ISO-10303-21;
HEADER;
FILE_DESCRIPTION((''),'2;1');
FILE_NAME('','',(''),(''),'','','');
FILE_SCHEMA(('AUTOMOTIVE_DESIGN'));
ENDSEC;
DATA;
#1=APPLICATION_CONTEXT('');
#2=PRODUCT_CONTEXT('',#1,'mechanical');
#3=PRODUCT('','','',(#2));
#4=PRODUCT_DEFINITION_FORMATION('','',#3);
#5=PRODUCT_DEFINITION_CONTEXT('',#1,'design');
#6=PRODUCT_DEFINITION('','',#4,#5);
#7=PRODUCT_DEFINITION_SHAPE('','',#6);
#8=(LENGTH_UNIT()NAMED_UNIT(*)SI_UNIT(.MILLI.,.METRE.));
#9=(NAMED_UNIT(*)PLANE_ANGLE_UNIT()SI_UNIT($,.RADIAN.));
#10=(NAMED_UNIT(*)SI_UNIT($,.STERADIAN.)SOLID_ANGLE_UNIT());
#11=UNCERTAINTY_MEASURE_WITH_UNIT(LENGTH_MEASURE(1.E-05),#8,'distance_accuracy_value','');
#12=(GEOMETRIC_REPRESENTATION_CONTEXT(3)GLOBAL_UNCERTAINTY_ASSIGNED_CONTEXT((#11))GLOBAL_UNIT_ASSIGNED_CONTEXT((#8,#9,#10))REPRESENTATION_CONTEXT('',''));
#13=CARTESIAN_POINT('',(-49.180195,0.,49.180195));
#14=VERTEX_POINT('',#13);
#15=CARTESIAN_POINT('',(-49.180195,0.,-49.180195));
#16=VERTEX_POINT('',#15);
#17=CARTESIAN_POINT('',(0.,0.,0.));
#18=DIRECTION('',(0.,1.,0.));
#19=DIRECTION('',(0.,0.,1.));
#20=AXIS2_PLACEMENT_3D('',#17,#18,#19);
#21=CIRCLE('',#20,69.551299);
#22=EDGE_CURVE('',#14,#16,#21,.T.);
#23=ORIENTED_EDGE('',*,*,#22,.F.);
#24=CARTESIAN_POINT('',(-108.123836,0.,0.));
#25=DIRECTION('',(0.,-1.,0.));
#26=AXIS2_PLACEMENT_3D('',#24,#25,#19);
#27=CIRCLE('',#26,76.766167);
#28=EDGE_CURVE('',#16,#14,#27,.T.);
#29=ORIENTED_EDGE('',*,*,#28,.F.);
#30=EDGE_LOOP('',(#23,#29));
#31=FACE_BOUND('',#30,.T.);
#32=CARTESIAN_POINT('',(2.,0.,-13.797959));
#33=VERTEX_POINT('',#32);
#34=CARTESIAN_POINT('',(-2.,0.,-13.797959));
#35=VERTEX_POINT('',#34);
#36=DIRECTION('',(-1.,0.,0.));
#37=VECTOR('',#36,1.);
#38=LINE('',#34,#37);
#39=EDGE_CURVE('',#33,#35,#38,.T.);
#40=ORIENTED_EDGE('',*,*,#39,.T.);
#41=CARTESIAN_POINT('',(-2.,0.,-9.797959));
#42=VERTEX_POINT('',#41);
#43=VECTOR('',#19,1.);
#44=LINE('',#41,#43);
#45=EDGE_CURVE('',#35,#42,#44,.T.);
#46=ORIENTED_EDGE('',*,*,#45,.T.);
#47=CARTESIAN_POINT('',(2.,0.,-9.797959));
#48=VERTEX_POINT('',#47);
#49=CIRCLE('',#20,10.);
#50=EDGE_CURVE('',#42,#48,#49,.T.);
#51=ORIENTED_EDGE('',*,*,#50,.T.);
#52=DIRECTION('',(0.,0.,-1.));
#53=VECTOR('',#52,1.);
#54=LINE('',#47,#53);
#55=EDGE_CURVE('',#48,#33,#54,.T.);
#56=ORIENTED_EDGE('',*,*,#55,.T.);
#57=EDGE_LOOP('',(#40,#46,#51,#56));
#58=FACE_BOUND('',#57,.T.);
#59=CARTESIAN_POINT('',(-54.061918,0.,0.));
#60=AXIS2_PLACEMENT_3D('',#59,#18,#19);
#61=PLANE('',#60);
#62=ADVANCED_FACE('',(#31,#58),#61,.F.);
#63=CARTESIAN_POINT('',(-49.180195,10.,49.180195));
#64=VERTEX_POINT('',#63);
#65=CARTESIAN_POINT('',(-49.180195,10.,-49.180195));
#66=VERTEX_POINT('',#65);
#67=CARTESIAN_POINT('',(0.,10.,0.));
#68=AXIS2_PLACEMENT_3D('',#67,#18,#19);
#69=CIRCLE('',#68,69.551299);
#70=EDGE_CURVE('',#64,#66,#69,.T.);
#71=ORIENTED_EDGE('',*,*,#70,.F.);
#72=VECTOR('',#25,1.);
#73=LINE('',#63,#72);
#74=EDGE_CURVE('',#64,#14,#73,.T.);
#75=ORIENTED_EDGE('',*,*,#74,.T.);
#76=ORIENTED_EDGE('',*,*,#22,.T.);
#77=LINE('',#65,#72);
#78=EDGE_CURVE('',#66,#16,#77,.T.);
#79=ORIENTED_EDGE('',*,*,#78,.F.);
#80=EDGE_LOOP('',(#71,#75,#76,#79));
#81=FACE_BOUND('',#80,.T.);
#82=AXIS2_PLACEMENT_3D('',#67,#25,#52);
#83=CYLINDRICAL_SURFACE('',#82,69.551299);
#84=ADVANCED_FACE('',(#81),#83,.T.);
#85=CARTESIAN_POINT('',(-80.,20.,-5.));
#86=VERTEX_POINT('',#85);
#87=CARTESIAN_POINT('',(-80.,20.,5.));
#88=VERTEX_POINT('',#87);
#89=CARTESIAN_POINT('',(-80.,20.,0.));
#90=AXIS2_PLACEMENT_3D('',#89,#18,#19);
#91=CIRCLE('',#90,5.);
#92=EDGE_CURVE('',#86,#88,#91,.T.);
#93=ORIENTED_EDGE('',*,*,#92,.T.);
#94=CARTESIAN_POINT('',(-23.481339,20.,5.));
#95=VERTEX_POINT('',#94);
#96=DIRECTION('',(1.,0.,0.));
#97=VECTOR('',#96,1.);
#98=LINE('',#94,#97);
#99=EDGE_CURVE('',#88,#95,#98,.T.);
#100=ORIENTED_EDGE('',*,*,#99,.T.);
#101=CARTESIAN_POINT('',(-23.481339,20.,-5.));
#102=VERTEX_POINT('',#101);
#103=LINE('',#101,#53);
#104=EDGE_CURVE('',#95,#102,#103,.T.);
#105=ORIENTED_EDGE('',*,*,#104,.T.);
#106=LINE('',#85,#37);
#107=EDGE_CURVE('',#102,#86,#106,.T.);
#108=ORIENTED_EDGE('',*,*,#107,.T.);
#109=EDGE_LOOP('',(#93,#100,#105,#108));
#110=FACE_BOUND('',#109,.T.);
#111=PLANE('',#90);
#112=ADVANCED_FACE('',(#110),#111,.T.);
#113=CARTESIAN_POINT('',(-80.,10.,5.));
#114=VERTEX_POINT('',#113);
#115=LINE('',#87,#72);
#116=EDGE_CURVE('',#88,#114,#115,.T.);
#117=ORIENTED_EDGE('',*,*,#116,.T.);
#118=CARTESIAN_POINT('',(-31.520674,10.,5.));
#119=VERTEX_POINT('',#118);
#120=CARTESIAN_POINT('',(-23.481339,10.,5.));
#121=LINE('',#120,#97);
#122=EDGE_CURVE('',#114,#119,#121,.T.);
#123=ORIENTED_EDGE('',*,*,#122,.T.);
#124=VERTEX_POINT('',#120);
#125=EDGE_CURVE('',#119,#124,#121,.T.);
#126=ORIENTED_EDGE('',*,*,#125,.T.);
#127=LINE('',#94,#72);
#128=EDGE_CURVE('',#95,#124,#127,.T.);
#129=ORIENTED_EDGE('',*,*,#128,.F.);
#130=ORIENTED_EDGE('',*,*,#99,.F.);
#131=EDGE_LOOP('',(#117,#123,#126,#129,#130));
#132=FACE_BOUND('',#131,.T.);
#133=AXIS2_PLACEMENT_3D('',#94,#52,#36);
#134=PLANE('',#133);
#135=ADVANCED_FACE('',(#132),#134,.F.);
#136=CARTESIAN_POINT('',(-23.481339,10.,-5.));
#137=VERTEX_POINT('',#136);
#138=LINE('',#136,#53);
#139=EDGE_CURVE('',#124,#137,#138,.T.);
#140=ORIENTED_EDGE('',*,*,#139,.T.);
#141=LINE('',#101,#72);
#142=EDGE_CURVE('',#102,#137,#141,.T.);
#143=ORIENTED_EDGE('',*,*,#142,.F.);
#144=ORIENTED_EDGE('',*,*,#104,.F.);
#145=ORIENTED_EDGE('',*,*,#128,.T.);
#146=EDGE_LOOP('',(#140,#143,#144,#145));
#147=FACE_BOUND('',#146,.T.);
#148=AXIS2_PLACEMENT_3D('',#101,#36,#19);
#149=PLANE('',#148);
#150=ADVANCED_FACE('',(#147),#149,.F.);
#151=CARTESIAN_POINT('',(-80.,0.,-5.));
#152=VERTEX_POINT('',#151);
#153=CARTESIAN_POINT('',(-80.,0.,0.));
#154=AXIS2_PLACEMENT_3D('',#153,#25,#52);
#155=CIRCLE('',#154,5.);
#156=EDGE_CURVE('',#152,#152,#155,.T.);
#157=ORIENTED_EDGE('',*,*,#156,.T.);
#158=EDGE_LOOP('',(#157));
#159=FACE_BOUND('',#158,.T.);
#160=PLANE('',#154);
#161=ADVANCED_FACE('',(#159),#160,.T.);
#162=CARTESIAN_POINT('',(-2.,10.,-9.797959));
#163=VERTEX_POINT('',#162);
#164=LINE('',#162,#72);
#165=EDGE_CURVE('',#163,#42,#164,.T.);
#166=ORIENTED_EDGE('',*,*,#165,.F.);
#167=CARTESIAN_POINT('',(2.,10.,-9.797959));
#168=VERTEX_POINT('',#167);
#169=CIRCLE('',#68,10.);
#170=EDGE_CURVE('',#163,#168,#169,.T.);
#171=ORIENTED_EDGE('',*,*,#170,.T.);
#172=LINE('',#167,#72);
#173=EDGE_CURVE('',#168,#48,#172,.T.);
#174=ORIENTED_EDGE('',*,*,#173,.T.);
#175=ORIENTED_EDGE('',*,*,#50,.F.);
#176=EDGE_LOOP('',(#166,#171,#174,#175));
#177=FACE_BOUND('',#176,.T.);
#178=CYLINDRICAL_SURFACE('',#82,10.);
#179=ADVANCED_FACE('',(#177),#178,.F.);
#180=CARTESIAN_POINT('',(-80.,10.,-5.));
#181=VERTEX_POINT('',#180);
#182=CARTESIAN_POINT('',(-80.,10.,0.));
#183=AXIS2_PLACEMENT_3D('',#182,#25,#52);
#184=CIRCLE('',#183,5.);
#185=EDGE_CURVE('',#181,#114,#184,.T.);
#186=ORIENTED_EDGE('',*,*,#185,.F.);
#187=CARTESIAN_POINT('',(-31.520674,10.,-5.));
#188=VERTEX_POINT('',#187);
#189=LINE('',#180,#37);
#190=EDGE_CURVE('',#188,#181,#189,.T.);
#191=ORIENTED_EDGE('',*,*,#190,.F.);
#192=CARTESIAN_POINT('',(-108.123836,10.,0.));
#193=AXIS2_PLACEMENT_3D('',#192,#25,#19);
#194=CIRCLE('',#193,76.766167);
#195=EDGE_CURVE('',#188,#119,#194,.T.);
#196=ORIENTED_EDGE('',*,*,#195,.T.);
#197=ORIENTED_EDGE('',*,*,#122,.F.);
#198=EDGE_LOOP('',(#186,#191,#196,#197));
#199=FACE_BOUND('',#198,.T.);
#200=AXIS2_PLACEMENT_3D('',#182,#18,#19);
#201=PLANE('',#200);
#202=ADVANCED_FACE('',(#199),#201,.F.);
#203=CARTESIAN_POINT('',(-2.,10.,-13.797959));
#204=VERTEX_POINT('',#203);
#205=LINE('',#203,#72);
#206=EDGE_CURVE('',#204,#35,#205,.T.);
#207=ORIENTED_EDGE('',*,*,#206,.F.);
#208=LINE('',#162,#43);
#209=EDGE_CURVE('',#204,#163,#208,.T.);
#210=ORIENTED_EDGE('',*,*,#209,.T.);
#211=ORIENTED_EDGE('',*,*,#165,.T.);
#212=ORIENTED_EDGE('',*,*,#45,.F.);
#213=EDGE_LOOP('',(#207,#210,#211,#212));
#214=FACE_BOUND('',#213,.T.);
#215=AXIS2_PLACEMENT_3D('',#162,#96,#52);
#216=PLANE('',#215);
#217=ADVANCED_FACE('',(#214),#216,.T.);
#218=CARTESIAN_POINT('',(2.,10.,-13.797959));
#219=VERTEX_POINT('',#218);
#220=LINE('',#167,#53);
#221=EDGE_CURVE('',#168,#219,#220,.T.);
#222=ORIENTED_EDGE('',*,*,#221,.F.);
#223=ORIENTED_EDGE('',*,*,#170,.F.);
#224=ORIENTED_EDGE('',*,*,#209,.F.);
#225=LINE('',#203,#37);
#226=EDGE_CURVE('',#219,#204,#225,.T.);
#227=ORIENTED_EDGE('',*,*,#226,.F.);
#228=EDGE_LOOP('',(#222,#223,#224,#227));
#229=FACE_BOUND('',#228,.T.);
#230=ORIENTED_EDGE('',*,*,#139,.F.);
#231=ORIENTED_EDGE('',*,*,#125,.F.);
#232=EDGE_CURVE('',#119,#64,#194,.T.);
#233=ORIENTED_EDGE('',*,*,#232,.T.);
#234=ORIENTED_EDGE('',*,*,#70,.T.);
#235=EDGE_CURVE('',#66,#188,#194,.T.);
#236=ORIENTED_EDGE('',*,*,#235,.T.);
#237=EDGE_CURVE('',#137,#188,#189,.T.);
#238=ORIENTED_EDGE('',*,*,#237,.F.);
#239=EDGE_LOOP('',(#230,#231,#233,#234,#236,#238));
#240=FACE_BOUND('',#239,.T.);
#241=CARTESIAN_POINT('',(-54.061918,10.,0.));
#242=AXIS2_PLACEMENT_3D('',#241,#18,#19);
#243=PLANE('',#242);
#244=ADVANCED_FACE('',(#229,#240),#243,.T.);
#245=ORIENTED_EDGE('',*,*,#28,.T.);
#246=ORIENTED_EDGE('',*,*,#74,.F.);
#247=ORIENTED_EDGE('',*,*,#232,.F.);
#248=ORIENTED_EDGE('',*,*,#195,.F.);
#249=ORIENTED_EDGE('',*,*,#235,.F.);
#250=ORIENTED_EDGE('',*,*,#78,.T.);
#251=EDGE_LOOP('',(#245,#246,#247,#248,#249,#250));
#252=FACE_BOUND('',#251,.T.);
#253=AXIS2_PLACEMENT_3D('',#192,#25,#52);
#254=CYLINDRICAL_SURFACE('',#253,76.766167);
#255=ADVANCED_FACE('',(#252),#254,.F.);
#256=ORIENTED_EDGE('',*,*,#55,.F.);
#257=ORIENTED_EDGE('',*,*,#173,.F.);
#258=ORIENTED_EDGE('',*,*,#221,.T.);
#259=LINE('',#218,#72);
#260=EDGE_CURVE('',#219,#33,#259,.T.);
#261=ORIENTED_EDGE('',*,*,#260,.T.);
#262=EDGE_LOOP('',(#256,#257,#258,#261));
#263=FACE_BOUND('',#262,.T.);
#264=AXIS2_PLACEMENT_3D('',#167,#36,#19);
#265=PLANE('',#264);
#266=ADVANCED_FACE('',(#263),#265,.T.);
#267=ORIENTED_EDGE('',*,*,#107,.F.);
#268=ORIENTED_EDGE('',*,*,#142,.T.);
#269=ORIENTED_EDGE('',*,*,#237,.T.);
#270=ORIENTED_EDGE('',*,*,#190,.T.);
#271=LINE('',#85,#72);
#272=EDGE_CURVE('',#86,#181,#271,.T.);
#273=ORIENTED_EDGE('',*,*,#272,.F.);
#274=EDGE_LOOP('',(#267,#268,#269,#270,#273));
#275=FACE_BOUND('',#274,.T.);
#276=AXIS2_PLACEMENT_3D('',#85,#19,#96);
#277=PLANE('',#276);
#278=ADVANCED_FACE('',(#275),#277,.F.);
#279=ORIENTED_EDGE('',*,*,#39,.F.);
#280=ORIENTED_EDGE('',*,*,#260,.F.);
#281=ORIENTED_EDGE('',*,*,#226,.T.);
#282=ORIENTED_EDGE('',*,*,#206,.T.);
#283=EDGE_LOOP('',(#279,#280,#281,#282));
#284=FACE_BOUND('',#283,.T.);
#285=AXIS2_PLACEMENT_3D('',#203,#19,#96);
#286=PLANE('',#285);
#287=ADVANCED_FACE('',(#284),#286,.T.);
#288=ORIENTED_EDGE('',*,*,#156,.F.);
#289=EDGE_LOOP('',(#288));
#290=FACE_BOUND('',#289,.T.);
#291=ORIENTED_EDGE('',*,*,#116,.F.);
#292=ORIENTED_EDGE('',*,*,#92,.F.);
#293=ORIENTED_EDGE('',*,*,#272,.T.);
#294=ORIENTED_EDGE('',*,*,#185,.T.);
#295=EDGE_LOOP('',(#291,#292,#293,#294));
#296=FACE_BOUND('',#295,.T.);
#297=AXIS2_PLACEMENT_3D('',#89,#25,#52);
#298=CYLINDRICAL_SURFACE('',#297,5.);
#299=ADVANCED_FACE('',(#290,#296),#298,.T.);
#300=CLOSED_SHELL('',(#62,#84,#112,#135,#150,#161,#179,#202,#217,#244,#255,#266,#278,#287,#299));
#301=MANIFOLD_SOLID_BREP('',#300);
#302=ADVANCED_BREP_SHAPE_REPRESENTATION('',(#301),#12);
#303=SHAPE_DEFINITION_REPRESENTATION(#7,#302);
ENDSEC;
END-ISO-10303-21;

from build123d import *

# Parameters (mm, degrees)
EXTRUDE_1_DEPTH = 10
EXTRUDE_5_DEPTH = 10
EXTRUDE_START   = 10
SKETCH_5_R      = 5
EXTRUDE_6_DEPTH = 10


with BuildPart() as part:
    # 草图1 → 凸台-拉伸1 (new body)
    with BuildSketch(Plane(origin=(0, 0, 0), x_dir=(1, 0, 0), z_dir=(0, 1, 0))):
        with BuildLine():
            ThreePointArc((-49.180194883, -49.180194883), (69.551298604, 0), (-49.180194883, 49.180194883))
            ThreePointArc((-49.180194883, 49.180194883), (-31.357669024, 0), (-49.180194883, -49.180194883))
        make_face()
        with BuildLine():
            Line((-2, 9.797958971), (-2, 13.797958971))
            Line((-2, 13.797958971), (2, 13.797958971))
            Line((2, 13.797958971), (2, 9.797958971))
            ThreePointArc((2, 9.797958971), (0, -10), (-2, 9.797958971))
        make_face(mode=Mode.SUBTRACT)
    extrude(amount=EXTRUDE_1_DEPTH)

    # 草图4 → 凸台-拉伸5 (add)
    with BuildSketch(Plane(origin=(0, 10, 0), x_dir=(1, 0, 0), z_dir=(0, 1, 0))):
        with BuildLine():
            Line((-80, 5), (-23.481338819, 5))
            Line((-23.481338819, 5), (-23.481338819, -5))
            Line((-23.481338819, -5), (-80, -5))
            ThreePointArc((-80, -5), (-85, 0), (-80, 5))
        make_face()
    extrude(amount=EXTRUDE_5_DEPTH)

    # 草图5 → 凸台-拉伸6 (add)
    with BuildSketch(Plane.XZ.offset(-10).offset(EXTRUDE_START)):
        with Locations(Location((-80, 0, 0), (0, 0, 270))):
            Circle(SKETCH_5_R)
    extrude(amount=-EXTRUDE_6_DEPTH)


solid = part.part
